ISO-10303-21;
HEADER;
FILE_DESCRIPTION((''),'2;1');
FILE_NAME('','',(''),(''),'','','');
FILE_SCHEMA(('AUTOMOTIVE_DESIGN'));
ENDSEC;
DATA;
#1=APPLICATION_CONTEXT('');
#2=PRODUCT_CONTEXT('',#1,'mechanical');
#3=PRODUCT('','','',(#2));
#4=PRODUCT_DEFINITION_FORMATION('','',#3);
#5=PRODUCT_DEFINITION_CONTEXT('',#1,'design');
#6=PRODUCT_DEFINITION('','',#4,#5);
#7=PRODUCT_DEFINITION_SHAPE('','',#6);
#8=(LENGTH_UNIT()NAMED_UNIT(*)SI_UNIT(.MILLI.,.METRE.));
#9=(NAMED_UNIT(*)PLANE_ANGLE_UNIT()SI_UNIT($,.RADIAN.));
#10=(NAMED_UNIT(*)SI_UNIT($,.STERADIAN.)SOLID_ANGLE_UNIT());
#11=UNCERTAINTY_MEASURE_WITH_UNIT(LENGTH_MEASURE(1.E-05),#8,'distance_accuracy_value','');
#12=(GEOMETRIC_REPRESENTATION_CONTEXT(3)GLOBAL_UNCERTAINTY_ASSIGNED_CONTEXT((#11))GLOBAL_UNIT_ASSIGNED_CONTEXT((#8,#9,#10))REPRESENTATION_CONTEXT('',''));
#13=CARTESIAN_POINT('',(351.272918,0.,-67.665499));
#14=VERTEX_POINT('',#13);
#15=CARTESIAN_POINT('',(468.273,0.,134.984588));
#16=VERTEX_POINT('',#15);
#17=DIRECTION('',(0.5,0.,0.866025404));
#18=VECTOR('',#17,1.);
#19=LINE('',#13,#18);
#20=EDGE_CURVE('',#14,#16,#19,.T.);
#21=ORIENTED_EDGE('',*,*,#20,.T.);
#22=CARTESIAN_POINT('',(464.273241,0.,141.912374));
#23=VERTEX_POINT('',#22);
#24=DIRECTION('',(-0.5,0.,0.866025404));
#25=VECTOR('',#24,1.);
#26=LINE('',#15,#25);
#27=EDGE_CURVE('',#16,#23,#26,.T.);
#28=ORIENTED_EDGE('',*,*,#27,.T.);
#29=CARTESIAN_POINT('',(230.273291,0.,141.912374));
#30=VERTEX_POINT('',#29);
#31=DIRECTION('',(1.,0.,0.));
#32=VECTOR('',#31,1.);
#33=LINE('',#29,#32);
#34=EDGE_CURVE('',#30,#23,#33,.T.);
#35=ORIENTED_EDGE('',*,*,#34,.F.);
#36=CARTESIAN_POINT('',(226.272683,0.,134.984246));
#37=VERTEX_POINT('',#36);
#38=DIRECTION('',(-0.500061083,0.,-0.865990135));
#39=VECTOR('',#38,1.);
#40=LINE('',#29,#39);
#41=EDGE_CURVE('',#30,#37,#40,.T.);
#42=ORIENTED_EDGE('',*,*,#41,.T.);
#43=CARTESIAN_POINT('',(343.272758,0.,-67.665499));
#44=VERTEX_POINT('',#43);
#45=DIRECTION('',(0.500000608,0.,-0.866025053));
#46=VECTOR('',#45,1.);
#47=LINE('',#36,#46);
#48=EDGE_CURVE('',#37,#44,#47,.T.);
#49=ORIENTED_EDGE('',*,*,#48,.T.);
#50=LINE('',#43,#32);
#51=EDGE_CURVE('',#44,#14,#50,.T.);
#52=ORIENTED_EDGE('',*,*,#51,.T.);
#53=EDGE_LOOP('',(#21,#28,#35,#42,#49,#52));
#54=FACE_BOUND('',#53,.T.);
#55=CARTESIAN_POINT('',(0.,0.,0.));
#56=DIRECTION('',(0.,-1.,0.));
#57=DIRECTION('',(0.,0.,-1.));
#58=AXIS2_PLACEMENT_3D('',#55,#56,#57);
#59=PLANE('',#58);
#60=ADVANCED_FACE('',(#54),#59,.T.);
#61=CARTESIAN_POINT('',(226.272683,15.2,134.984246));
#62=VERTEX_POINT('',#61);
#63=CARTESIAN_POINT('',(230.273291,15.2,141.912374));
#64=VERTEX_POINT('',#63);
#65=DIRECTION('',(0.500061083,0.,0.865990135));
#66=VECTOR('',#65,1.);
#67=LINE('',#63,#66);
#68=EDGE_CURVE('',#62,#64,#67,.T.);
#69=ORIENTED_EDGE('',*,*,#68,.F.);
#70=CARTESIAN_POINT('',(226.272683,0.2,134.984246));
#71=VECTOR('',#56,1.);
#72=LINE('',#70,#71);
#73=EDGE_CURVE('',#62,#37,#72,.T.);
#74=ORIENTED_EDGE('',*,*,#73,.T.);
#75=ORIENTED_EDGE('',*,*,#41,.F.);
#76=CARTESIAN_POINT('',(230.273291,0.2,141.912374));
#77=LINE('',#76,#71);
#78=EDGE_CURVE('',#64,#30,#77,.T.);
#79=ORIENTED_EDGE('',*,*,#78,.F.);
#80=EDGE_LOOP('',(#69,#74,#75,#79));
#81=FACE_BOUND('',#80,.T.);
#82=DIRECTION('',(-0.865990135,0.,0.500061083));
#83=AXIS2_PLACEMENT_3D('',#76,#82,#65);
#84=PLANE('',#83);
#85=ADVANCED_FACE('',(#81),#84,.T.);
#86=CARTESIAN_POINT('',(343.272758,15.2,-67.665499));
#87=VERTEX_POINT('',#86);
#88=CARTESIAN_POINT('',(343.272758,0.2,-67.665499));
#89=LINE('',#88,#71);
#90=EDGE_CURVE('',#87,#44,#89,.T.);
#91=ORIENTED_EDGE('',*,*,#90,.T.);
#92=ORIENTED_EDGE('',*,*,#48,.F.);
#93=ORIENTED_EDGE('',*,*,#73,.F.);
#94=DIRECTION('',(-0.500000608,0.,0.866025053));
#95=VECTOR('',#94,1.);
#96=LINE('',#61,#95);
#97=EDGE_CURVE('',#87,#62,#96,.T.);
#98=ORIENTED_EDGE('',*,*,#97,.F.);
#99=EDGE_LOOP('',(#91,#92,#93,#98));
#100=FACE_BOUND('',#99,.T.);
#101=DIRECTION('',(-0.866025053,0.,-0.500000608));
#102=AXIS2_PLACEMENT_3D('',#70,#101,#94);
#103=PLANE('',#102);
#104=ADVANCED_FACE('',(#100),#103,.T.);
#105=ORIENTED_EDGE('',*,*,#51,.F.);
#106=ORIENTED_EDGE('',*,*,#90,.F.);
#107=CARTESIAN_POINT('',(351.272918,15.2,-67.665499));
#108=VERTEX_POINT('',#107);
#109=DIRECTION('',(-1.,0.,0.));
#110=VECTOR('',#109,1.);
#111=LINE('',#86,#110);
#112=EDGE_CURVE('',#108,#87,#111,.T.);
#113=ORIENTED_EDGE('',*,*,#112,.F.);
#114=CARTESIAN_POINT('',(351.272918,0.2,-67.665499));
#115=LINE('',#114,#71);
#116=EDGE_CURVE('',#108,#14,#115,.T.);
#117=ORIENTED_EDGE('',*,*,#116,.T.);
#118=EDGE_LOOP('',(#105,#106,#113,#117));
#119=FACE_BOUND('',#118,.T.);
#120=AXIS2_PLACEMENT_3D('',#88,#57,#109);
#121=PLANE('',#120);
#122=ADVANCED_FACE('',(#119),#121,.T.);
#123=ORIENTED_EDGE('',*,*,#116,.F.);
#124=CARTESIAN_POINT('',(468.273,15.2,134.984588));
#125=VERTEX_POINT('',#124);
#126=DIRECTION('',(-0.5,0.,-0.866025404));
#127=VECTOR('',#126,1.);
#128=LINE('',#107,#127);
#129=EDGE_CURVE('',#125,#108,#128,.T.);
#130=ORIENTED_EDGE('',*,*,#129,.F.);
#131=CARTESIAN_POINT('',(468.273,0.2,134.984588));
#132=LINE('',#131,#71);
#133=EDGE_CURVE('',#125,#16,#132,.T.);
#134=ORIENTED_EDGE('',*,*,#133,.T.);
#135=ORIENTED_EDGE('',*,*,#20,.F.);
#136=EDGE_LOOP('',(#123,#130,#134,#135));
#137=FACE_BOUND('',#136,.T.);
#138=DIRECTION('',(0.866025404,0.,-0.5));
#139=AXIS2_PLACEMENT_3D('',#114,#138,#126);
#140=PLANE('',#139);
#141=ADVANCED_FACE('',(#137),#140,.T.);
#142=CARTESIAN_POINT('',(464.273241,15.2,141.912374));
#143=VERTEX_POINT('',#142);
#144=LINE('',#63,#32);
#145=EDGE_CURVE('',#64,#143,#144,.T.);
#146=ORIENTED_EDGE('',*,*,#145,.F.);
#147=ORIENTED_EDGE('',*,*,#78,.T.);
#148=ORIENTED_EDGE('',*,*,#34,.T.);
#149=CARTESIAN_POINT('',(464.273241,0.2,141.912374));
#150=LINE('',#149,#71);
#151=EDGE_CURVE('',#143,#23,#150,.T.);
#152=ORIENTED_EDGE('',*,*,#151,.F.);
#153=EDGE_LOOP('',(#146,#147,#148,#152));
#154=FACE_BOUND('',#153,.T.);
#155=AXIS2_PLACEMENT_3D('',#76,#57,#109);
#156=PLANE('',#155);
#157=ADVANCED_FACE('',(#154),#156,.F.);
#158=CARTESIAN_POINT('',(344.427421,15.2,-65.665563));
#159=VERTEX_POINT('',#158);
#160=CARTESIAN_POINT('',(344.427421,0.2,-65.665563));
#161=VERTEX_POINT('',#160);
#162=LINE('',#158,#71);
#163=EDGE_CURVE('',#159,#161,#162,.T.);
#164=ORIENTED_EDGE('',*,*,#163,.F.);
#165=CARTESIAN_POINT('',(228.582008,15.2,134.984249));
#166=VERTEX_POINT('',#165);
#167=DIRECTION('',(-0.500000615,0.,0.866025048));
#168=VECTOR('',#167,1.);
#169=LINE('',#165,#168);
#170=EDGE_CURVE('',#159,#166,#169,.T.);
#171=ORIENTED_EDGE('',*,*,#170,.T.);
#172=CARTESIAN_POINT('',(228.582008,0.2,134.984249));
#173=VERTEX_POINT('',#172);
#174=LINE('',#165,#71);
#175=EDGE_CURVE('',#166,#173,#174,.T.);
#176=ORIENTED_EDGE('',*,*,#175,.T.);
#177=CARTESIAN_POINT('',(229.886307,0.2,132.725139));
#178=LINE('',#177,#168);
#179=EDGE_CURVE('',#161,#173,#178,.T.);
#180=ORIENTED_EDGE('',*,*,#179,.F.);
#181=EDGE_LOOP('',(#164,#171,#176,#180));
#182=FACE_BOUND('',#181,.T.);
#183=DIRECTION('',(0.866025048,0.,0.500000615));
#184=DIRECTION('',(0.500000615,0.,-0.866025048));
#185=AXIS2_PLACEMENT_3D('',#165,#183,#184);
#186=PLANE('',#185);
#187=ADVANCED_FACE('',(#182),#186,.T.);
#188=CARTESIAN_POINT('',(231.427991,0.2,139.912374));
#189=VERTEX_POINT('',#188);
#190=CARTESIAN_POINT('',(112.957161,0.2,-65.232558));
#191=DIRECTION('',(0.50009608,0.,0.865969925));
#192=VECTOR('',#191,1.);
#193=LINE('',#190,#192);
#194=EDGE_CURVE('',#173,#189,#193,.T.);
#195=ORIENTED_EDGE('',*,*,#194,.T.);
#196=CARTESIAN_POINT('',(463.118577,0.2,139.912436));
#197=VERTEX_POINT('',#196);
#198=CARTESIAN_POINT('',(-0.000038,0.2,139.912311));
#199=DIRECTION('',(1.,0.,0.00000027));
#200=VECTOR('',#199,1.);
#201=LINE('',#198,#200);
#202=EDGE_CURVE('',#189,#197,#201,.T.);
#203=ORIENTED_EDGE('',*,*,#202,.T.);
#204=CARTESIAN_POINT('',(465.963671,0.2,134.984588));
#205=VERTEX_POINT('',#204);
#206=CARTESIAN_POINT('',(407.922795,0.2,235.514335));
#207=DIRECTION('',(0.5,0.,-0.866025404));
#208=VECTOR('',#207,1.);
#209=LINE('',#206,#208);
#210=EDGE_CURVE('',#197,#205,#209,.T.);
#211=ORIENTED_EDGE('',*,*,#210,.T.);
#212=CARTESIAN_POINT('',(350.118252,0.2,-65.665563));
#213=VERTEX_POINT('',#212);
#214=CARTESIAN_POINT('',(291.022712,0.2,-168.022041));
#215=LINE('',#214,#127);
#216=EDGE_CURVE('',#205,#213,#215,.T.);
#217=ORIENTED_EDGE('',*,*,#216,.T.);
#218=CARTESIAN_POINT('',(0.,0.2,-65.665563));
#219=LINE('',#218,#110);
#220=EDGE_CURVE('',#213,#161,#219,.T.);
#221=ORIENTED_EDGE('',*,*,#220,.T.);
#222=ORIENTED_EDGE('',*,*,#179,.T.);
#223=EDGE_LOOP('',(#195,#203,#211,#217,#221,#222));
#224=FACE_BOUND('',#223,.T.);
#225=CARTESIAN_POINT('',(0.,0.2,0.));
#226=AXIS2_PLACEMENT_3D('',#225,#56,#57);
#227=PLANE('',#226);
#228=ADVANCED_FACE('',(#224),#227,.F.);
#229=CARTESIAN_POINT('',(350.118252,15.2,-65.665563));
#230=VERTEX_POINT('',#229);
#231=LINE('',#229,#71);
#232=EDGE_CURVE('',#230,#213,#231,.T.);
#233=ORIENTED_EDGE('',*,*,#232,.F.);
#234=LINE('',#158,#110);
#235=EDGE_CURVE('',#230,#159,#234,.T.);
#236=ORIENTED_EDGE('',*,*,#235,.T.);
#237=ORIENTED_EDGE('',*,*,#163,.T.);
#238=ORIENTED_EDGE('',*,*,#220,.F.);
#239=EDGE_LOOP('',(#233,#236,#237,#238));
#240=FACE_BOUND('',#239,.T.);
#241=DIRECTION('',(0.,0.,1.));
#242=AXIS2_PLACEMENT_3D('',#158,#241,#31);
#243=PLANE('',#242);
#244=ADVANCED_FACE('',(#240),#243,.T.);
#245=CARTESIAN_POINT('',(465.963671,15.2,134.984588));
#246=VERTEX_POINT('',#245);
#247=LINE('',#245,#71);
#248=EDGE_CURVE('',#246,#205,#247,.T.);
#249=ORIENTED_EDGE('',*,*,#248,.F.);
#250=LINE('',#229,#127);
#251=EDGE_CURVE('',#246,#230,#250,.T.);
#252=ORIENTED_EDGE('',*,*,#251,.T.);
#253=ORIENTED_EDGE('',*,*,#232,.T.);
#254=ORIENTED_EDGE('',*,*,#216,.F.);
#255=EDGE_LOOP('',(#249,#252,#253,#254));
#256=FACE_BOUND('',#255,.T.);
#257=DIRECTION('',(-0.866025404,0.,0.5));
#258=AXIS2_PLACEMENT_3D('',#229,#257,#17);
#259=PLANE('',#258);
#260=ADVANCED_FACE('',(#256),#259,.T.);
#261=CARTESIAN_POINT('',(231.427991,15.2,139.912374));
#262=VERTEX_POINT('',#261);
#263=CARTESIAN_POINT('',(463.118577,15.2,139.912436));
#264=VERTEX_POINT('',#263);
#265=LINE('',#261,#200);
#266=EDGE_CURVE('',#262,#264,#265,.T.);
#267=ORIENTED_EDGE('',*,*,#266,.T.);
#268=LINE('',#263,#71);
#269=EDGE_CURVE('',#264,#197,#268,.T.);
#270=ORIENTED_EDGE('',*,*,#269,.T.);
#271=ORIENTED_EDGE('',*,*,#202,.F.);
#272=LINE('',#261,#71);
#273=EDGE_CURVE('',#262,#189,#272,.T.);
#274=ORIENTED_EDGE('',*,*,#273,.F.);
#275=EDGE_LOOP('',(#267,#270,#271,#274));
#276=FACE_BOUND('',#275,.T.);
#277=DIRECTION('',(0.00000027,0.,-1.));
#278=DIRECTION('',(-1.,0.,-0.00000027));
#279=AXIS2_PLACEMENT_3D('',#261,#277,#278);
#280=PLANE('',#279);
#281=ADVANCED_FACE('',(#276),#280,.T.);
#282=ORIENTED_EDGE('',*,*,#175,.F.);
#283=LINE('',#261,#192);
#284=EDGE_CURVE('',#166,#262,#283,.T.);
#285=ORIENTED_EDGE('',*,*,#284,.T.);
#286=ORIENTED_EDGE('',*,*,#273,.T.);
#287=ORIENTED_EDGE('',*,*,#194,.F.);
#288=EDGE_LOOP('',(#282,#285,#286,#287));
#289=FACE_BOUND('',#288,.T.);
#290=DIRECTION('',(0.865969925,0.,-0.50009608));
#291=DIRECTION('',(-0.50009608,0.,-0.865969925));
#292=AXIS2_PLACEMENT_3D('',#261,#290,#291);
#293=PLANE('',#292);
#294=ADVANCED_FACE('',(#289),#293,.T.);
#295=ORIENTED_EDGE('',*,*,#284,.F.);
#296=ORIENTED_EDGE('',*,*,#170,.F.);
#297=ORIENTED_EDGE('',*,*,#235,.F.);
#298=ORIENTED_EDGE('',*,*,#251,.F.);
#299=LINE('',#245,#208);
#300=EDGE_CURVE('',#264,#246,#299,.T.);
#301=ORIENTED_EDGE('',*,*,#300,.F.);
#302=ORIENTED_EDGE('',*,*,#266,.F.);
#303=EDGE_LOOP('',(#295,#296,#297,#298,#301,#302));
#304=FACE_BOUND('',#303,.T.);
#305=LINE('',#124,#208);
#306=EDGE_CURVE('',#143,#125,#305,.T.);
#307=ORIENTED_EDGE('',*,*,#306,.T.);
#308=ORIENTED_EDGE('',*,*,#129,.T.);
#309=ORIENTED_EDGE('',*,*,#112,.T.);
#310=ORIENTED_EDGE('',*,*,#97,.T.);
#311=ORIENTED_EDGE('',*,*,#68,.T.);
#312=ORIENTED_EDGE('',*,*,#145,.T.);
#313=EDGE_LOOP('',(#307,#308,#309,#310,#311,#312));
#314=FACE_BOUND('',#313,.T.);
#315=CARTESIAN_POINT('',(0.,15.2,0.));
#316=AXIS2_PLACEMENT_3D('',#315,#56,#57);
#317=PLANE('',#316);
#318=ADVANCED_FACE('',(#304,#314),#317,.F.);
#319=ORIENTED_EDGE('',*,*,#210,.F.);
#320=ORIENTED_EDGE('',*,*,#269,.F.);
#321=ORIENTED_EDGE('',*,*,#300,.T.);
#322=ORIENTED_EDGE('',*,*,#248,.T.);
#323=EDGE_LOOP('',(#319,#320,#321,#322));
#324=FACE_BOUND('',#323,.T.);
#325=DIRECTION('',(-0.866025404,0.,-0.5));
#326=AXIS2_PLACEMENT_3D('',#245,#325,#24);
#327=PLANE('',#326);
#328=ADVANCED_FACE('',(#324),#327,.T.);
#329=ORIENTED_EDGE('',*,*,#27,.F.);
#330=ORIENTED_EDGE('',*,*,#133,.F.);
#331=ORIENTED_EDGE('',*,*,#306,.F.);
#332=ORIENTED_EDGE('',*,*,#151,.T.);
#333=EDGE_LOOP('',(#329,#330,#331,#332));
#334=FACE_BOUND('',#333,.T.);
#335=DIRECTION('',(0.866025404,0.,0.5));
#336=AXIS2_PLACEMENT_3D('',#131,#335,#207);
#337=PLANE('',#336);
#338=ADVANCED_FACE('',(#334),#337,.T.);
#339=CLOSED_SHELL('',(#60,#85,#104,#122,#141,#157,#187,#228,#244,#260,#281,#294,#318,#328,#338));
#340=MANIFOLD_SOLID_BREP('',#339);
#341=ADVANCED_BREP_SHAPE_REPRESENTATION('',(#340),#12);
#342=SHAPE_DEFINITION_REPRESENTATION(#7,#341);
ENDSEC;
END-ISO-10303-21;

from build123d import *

# Parameters (mm, degrees)
BOSS_EXTRUDE6_DEPTH = 0.2
BOSS_EXTRUDE8_DEPTH = 15.2


with BuildPart() as part:
    # Sketch1 → Boss-Extrude6 (new body)
    with BuildSketch(Plane(origin=(0, 0, 0), x_dir=(1, 0, 0), z_dir=(0, 1, 0))):
        Polygon((351.272917769, 67.665499075), (468.273000096, -134.984588004), (464.273241085, -141.912373829), (230.273290915, -141.912373829), (226.272682949, -134.984246141), (343.272757546, 67.665499075), align=None)
    extrude(amount=BOSS_EXTRUDE6_DEPTH)

    # Sketch1<7> → Boss-Extrude8 (add)
    with BuildSketch(Plane(origin=(0, 0, 0), x_dir=(1, 0, 0), z_dir=(0, 1, 0))):
        Polygon((351.272917769, 67.665499075), (468.273000096, -134.984588004), (464.273241085, -141.912373829), (230.273290915, -141.912373829), (226.272682949, -134.984246141), (343.272757546, 67.665499075), align=None)
        Polygon((231.427991453, -139.912373829), (463.118576698, -139.912436444), (465.963671321, -134.984588004), (350.118252434, 65.665563332), (344.427420986, 65.665563332), (228.58200795, -134.984248572), align=None, mode=Mode.SUBTRACT)
    extrude(amount=BOSS_EXTRUDE8_DEPTH)


solid = part.part
